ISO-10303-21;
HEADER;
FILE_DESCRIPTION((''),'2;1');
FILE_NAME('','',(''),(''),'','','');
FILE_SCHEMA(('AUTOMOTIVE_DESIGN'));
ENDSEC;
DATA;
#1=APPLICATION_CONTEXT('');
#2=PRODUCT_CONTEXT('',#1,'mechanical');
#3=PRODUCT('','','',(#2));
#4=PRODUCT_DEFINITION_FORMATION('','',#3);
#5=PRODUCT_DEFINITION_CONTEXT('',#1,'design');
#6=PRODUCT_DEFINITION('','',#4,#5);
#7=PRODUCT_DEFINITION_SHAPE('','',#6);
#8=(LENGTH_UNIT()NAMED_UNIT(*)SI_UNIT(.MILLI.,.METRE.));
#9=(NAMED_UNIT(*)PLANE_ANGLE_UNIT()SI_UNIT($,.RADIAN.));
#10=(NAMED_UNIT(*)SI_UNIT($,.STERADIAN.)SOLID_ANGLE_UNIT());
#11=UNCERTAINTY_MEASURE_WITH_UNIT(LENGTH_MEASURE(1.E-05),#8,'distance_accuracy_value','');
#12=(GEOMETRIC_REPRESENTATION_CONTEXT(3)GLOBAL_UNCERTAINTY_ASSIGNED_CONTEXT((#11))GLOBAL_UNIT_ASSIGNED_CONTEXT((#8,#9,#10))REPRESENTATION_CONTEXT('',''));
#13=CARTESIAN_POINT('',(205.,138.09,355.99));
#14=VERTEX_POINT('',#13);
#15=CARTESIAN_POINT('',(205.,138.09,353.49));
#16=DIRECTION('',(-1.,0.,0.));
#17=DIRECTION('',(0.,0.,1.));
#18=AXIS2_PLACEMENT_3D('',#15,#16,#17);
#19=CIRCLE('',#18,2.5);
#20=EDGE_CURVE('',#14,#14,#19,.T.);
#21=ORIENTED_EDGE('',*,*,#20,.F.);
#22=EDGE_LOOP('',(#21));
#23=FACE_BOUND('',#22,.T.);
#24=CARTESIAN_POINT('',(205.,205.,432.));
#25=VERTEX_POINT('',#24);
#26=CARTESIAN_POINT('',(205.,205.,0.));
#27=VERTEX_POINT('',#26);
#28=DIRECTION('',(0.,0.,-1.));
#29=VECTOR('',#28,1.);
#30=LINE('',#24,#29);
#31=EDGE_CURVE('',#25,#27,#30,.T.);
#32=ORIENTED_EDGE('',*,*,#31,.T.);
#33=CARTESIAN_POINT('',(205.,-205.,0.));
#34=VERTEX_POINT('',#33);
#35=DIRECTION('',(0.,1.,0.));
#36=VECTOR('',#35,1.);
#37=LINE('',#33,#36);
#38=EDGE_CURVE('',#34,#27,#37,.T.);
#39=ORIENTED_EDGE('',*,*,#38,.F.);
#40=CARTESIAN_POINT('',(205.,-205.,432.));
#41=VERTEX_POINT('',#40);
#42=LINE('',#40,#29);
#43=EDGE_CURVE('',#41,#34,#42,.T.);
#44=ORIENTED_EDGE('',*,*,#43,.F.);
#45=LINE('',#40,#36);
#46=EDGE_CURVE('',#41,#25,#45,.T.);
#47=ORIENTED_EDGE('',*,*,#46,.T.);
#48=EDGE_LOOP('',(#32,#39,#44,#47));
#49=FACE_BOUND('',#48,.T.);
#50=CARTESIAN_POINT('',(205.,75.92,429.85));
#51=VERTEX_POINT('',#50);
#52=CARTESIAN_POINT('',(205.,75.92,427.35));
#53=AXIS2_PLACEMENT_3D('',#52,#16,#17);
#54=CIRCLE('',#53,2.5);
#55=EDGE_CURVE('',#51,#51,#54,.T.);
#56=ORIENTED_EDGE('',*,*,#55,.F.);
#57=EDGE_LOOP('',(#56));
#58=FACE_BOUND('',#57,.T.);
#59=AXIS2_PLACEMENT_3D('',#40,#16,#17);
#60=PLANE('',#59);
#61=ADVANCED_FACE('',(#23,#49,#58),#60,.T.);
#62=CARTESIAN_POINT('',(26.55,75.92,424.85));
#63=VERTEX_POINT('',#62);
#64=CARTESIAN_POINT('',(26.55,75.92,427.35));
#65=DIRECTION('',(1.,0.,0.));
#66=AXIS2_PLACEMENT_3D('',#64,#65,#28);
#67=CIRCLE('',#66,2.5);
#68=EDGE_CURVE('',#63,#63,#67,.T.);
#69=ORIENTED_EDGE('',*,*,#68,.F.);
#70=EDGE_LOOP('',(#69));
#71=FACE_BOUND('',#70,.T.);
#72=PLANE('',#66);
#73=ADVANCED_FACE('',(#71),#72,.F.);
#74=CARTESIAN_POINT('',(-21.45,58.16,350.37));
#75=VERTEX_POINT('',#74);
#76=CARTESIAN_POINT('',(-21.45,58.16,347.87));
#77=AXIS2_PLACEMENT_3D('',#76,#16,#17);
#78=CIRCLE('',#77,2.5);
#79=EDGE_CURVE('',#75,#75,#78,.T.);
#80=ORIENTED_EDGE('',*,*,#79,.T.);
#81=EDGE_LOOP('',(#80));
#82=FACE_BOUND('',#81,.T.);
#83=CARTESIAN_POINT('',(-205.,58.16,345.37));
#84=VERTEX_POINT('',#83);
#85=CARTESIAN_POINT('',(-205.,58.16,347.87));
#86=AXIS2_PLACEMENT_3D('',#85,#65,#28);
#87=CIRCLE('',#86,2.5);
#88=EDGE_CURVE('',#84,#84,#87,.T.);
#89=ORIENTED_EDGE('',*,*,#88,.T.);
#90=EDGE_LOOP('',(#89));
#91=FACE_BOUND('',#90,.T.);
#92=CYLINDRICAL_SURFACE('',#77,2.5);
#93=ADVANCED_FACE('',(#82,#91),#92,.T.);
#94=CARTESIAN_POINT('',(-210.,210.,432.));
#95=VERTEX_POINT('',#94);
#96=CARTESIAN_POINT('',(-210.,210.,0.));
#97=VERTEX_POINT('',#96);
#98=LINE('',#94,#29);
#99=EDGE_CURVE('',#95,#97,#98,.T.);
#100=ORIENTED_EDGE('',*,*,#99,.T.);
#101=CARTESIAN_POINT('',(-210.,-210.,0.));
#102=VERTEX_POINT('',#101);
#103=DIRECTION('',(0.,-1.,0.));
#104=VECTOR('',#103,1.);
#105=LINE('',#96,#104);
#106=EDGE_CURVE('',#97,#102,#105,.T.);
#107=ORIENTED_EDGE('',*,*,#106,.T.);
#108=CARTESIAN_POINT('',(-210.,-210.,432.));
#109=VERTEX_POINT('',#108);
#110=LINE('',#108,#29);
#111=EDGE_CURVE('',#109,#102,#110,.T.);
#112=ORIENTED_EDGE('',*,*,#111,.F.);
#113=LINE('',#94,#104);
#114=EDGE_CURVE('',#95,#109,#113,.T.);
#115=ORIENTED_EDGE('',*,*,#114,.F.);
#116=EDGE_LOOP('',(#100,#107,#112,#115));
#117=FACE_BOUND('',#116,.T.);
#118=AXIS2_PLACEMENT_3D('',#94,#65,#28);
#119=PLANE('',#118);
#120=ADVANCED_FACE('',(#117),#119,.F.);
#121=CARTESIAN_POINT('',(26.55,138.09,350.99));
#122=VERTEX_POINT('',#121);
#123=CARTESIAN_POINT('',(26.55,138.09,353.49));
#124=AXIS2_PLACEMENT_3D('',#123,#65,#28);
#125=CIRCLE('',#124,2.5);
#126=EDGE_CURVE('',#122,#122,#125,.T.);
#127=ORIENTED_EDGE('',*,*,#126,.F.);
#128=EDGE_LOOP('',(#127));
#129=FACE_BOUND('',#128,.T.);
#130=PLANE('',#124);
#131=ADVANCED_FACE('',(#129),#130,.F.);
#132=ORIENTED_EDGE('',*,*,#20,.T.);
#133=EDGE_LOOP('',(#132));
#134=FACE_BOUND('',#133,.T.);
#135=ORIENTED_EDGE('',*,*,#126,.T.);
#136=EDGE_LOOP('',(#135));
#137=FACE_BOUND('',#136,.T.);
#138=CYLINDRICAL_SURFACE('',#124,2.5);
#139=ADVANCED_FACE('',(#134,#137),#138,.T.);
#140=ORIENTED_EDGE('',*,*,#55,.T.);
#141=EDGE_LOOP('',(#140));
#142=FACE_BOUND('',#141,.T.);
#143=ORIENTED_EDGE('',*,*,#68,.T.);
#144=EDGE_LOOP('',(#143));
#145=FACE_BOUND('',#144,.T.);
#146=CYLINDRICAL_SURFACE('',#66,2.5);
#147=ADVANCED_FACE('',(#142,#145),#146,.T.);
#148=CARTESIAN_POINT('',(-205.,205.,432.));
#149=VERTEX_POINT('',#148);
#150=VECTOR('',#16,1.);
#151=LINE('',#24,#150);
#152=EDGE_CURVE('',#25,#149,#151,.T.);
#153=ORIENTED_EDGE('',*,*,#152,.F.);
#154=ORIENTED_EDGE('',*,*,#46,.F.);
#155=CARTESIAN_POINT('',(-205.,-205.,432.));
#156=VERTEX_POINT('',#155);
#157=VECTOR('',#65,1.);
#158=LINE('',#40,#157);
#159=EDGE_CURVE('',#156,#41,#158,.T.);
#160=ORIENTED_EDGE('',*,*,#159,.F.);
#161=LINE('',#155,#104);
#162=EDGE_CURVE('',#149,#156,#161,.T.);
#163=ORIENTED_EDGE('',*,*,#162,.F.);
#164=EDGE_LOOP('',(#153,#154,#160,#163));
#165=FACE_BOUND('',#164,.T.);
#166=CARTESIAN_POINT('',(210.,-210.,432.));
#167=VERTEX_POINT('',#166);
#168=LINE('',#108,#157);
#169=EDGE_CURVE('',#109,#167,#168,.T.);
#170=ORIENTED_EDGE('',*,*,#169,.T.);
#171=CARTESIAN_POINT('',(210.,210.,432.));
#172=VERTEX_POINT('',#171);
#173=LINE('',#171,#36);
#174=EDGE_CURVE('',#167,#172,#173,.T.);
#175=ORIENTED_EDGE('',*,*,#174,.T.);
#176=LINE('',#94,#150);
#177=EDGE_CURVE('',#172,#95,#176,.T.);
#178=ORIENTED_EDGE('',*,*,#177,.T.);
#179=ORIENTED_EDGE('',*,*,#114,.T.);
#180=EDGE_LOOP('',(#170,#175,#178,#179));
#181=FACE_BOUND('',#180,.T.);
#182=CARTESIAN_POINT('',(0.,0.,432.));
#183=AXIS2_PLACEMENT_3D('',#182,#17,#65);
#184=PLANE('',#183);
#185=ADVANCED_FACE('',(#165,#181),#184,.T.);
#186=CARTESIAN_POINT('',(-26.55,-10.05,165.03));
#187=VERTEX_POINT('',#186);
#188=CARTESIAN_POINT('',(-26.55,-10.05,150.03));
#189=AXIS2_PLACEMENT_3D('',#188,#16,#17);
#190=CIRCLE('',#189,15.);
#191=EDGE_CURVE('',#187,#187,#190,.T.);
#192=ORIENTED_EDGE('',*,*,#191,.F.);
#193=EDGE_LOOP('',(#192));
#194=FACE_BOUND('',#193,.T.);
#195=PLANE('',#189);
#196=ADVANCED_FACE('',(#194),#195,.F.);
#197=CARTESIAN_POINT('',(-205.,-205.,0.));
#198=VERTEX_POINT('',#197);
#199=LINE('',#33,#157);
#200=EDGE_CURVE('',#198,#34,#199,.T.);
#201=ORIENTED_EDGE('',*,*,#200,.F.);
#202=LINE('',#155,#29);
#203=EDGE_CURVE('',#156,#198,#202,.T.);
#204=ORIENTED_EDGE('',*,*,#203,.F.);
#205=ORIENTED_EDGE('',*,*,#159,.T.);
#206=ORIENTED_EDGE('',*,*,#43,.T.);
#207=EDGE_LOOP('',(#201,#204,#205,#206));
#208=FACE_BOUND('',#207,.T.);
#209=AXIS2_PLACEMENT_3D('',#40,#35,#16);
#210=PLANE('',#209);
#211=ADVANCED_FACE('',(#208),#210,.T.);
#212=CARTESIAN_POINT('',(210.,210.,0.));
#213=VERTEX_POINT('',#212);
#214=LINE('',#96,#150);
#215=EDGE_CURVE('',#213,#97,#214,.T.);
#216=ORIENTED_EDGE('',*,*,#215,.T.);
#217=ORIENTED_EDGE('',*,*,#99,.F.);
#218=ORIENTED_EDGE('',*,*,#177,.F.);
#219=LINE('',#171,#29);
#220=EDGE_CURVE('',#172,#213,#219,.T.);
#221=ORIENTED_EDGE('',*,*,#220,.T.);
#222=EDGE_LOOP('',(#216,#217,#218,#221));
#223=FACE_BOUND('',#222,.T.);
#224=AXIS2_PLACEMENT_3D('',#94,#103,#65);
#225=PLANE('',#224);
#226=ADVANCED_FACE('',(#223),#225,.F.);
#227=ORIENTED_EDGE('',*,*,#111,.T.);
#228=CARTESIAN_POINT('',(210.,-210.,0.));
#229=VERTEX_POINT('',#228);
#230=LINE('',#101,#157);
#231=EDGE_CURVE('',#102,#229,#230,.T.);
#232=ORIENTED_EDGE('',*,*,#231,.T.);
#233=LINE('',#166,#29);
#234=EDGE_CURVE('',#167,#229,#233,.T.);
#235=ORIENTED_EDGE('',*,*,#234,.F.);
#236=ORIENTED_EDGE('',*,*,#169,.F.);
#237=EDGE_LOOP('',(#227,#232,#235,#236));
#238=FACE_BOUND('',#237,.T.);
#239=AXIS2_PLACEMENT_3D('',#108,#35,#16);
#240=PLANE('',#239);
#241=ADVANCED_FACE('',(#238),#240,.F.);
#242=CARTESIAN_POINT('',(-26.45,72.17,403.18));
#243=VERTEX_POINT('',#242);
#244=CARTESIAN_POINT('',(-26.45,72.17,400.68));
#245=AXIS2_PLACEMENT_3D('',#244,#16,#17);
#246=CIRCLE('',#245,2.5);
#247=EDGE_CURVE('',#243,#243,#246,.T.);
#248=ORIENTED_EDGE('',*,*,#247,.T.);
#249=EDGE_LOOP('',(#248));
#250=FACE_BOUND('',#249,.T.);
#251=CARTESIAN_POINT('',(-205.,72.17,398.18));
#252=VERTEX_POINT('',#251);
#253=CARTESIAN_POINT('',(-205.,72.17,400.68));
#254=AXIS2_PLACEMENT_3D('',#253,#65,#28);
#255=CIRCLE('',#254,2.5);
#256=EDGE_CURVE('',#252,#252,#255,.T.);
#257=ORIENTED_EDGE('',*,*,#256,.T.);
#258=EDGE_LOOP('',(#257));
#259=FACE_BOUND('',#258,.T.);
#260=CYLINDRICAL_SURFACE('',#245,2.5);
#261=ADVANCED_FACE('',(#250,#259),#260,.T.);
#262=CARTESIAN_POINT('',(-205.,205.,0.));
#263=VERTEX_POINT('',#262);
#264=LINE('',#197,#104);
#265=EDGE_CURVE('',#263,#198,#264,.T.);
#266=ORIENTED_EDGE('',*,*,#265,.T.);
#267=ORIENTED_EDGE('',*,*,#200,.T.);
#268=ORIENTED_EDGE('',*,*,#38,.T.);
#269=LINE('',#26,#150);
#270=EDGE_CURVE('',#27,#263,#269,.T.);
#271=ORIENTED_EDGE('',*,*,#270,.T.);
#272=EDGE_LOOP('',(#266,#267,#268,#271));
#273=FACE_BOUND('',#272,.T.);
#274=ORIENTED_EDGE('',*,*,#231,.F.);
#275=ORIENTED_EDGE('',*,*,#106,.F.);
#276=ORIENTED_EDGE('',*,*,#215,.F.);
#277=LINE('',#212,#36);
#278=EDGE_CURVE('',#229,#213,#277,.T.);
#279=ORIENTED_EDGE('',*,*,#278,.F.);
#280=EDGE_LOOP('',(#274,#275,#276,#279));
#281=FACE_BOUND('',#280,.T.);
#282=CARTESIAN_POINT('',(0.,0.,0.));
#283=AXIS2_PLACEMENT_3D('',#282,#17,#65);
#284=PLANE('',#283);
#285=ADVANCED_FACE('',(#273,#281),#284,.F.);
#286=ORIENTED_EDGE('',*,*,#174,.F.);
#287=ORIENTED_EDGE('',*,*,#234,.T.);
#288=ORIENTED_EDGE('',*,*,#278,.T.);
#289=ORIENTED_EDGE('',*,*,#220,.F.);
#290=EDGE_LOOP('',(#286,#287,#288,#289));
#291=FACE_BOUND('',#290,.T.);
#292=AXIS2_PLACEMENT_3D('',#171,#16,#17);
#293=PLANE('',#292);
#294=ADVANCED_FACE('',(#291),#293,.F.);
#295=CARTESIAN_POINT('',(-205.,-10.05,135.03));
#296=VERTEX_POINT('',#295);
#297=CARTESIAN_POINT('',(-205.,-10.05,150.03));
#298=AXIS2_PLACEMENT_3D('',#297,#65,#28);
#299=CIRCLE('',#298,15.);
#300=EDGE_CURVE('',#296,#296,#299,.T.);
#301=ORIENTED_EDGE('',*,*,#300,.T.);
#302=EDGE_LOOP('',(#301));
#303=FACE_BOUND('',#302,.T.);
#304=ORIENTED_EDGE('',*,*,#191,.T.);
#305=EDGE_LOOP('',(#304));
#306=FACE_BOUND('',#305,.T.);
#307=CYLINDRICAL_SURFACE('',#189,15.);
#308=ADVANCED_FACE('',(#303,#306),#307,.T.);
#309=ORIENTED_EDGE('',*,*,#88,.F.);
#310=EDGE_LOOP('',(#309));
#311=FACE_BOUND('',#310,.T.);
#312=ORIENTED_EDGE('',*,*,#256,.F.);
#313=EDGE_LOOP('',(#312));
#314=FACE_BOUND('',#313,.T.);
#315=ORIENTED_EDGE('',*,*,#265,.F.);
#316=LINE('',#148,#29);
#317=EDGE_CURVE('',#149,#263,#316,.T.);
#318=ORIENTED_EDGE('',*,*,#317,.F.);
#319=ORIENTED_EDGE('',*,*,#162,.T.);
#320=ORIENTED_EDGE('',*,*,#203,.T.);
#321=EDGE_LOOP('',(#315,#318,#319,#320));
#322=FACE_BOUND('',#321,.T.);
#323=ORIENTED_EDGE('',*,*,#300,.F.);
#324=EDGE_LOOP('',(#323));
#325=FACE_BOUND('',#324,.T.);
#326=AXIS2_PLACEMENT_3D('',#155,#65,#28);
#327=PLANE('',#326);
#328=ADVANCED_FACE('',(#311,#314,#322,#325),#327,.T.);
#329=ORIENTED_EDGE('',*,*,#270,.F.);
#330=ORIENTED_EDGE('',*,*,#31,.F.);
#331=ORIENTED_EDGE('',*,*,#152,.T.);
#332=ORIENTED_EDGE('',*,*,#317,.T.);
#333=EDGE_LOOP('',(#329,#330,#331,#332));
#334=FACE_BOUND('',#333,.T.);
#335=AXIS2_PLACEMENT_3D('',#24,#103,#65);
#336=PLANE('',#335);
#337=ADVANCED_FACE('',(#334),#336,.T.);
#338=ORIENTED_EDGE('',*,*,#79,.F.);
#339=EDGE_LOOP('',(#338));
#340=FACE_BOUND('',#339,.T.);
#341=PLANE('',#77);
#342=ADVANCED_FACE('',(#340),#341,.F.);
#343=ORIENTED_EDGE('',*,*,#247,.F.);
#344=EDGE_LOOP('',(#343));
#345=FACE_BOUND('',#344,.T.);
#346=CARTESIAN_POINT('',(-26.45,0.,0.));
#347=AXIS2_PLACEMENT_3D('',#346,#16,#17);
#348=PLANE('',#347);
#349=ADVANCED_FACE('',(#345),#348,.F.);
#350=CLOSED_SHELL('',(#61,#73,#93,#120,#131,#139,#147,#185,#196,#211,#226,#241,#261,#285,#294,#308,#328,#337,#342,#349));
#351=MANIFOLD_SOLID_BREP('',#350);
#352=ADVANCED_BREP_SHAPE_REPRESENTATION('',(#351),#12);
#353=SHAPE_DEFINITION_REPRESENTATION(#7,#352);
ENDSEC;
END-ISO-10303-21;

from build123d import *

# Parameters (mm, degrees)
ESBO_O1_W                = 420
ESBO_O1_H                = 420
ESBO_O1_W_2              = 410
ESBO_O1_H_2              = 410
RESSALTO_EXTRUS_O1_DEPTH = 432
ESBO_O4_R                = 2.5
RESSALTO_EXTRUS_O4_DEPTH = 183.55
ESBO_O4_4_R              = 2.5
RESSALTO_EXTRUS_O5_DEPTH = 188.55
ESBO_O5_R                = 2.5
RESSALTO_EXTRUS_O6_DEPTH = 183.45
ESBO_O6_R                = 15
RESSALTO_EXTRUS_O7_DEPTH = 183.45


with BuildPart() as part:
    # Esboço1 → Ressalto-extrusão1 (new body)
    with BuildSketch(Plane.XY):
        Rectangle(ESBO_O1_W, ESBO_O1_H)
        Rectangle(ESBO_O1_W_2, ESBO_O1_H_2, mode=Mode.SUBTRACT)
    extrude(amount=RESSALTO_EXTRUS_O1_DEPTH)

    # Esboço4 → Ressalto-extrusão4 (add)
    with BuildSketch(Plane.ZY.offset(210)):
        with Locations((400.68, 72.17)):
            Circle(ESBO_O4_R)
    extrude(amount=-RESSALTO_EXTRUS_O4_DEPTH)

    # Esboço4<4> → Ressalto-extrusão5 (add)
    with BuildSketch(Plane.ZY.offset(210)):
        with Locations((347.87, 58.16)):
            Circle(ESBO_O4_4_R)
    extrude(amount=-RESSALTO_EXTRUS_O5_DEPTH)

    # Esboço5 → Ressalto-extrusão6 (add)
    with BuildSketch(Plane(origin=(210, 0, 0), x_dir=(0, 0, -1), z_dir=(1, 0, 0))):
        with Locations((-353.49, 138.09)):
            Circle(ESBO_O5_R)
        with Locations((-427.35, 75.92)):
            Circle(ESBO_O5_R)
    extrude(amount=-RESSALTO_EXTRUS_O6_DEPTH)

    # Esboço6 → Ressalto-extrusão7 (add)
    with BuildSketch(Plane.ZY.offset(210)):
        with Locations((150.03, -10.05)):
            Circle(ESBO_O6_R)
    extrude(amount=-RESSALTO_EXTRUS_O7_DEPTH)


solid = part.part
